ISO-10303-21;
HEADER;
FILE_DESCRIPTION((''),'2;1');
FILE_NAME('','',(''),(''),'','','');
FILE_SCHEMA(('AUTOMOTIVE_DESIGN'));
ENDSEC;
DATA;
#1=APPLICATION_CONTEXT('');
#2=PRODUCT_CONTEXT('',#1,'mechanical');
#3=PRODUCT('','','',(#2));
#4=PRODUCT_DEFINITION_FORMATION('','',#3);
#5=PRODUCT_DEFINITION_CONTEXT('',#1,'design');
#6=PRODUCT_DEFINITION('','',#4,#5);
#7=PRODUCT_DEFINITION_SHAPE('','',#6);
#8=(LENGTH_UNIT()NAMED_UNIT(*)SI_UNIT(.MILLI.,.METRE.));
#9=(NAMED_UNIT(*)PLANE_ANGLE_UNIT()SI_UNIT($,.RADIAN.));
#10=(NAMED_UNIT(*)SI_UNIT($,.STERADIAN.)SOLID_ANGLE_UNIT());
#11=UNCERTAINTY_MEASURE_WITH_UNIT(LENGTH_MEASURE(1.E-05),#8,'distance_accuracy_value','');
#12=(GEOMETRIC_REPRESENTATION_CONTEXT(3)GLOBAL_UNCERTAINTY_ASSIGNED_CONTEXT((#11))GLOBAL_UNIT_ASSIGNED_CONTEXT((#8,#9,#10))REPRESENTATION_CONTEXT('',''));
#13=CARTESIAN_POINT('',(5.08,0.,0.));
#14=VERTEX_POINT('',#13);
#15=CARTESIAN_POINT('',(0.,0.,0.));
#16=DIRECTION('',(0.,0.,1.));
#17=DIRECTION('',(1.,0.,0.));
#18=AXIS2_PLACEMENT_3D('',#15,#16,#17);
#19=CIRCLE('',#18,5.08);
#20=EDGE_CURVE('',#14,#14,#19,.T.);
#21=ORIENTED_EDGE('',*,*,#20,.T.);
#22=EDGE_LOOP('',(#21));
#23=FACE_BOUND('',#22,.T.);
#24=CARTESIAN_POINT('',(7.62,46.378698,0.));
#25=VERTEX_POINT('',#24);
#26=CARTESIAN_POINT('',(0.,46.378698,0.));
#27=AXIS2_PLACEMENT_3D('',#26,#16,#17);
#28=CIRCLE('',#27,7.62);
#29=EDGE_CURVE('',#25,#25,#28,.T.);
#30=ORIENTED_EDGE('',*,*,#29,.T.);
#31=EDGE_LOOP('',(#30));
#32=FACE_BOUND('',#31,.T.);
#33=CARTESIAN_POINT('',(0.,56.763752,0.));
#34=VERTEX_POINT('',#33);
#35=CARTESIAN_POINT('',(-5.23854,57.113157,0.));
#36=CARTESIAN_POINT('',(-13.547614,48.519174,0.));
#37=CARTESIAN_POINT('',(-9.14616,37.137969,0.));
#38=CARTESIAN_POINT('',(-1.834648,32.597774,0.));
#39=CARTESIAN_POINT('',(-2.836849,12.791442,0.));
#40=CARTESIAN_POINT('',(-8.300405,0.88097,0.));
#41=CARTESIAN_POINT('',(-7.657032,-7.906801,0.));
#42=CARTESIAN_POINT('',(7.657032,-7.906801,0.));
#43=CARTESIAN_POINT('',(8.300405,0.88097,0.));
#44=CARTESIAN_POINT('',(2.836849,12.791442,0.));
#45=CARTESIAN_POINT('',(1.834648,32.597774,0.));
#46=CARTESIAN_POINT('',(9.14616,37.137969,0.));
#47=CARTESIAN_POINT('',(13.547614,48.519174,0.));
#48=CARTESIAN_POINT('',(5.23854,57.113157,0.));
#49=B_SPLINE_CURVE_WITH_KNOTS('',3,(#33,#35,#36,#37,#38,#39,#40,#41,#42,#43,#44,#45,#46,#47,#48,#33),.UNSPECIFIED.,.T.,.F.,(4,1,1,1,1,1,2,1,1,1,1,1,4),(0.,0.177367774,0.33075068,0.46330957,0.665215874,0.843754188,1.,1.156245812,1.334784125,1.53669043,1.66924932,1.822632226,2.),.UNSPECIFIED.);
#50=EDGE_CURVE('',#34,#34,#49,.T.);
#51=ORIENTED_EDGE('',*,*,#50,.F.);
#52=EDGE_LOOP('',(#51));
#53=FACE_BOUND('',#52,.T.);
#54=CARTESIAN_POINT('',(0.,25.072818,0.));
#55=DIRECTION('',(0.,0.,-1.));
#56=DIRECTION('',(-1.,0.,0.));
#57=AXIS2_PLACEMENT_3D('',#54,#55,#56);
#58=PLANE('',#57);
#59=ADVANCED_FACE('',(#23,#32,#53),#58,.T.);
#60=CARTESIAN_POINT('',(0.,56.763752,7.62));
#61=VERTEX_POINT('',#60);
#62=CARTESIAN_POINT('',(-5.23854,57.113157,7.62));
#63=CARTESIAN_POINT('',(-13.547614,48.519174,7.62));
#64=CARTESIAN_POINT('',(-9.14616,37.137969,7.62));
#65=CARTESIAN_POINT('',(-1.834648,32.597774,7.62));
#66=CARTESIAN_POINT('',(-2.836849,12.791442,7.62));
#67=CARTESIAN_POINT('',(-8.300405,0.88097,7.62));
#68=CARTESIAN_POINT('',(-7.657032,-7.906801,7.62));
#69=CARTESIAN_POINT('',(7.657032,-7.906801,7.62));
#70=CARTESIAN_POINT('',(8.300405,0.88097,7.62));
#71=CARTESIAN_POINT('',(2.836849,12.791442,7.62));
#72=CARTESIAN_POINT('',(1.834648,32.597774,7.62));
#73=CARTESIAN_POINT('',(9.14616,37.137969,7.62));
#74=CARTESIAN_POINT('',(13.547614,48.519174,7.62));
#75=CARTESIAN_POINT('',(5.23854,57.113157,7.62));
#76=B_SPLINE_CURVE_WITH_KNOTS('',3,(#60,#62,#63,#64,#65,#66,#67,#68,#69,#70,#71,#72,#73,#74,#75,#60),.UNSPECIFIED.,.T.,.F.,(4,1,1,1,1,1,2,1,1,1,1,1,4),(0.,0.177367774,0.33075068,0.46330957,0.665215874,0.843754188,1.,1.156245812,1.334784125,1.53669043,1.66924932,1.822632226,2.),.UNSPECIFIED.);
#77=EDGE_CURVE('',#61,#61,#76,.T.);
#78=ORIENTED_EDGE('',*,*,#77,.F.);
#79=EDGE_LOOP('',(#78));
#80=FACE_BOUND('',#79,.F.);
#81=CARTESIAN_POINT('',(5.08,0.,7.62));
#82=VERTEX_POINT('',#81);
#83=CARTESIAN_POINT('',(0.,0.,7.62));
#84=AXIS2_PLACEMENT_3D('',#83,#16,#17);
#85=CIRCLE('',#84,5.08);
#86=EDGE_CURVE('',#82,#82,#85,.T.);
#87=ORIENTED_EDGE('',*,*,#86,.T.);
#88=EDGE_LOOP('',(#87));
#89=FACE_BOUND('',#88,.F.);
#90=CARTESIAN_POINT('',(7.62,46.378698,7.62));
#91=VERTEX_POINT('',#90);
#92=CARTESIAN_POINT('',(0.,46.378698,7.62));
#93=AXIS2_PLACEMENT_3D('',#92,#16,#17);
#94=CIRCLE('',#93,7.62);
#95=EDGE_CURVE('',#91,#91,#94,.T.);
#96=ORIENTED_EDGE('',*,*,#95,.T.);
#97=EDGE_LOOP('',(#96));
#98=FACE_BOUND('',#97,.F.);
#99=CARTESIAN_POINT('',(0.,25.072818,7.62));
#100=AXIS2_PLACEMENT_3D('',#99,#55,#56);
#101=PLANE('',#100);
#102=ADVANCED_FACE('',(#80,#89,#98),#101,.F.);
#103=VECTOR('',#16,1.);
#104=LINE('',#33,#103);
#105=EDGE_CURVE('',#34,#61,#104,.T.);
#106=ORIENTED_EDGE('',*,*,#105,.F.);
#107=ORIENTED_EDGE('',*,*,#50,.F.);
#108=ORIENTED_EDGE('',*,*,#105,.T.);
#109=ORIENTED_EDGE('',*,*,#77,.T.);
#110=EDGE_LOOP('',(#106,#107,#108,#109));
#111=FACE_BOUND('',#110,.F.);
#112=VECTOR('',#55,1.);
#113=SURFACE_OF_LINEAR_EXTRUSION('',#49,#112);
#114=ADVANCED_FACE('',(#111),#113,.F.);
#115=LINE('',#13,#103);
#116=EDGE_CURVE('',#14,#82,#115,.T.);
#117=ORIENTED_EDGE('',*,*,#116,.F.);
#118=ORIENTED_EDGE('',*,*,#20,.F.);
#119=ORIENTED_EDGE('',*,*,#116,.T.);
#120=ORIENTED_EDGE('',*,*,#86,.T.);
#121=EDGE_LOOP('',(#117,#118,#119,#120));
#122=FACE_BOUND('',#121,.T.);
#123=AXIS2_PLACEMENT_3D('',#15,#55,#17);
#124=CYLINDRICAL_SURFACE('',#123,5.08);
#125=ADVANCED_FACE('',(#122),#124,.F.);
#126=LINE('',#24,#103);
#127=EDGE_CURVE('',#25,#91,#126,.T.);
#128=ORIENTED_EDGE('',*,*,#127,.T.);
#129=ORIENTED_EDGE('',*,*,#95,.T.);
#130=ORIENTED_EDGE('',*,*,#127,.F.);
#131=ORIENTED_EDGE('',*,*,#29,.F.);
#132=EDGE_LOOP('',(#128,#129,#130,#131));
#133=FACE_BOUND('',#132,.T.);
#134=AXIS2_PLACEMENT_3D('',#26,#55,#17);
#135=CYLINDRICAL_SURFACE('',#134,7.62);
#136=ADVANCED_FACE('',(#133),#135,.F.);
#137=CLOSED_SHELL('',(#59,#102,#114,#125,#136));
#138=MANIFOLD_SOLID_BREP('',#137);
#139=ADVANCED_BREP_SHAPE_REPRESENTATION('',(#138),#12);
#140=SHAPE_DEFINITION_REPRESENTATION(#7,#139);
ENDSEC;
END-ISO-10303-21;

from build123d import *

# Parameters (mm, degrees)
F0_R     = 5.08
F0_R_2   = 7.62
F1_DEPTH = 7.62


with BuildPart() as f1:
    # F0 (on Top) → F1 (new body)
    with BuildSketch(Plane.XY):
        with BuildLine():
            add(Edge.make_bspline(
                [(0, 56.763751514), (5.2385396271, 57.1131572084), (13.5476141135, 48.5191739924), (9.1461602264, 37.1379686643), (1.8346483276, 32.5977735344), (2.8368490232, 12.7914418564), (8.3004051041, 0.8809699564), (7.6570323693, -7.9068010579), (0, -7.9068010579)],
                knots=[0, 0, 0, 0, 0.1773677743, 0.3307506796, 0.4633095702, 0.6652158745, 0.8437541877, 1, 1, 1, 1], degree=3))
            add(Edge.make_bspline(
                [(0, 56.763751514), (-5.2385396271, 57.1131572084), (-13.5476141135, 48.5191739924), (-9.1461602264, 37.1379686643), (-1.8346483276, 32.5977735344), (-2.8368490232, 12.7914418564), (-8.3004051041, 0.8809699564), (-7.6570323693, -7.9068010579), (0, -7.9068010579)],
                knots=[0, 0, 0, 0, 0.1773677743, 0.3307506796, 0.4633095702, 0.6652158745, 0.8437541877, 1, 1, 1, 1], degree=3))
        make_face()
        Circle(F0_R, mode=Mode.SUBTRACT)
        with Locations((0, 46.3786984667)):
            Circle(F0_R_2, mode=Mode.SUBTRACT)
    extrude(amount=F1_DEPTH)


solid = f1.part
